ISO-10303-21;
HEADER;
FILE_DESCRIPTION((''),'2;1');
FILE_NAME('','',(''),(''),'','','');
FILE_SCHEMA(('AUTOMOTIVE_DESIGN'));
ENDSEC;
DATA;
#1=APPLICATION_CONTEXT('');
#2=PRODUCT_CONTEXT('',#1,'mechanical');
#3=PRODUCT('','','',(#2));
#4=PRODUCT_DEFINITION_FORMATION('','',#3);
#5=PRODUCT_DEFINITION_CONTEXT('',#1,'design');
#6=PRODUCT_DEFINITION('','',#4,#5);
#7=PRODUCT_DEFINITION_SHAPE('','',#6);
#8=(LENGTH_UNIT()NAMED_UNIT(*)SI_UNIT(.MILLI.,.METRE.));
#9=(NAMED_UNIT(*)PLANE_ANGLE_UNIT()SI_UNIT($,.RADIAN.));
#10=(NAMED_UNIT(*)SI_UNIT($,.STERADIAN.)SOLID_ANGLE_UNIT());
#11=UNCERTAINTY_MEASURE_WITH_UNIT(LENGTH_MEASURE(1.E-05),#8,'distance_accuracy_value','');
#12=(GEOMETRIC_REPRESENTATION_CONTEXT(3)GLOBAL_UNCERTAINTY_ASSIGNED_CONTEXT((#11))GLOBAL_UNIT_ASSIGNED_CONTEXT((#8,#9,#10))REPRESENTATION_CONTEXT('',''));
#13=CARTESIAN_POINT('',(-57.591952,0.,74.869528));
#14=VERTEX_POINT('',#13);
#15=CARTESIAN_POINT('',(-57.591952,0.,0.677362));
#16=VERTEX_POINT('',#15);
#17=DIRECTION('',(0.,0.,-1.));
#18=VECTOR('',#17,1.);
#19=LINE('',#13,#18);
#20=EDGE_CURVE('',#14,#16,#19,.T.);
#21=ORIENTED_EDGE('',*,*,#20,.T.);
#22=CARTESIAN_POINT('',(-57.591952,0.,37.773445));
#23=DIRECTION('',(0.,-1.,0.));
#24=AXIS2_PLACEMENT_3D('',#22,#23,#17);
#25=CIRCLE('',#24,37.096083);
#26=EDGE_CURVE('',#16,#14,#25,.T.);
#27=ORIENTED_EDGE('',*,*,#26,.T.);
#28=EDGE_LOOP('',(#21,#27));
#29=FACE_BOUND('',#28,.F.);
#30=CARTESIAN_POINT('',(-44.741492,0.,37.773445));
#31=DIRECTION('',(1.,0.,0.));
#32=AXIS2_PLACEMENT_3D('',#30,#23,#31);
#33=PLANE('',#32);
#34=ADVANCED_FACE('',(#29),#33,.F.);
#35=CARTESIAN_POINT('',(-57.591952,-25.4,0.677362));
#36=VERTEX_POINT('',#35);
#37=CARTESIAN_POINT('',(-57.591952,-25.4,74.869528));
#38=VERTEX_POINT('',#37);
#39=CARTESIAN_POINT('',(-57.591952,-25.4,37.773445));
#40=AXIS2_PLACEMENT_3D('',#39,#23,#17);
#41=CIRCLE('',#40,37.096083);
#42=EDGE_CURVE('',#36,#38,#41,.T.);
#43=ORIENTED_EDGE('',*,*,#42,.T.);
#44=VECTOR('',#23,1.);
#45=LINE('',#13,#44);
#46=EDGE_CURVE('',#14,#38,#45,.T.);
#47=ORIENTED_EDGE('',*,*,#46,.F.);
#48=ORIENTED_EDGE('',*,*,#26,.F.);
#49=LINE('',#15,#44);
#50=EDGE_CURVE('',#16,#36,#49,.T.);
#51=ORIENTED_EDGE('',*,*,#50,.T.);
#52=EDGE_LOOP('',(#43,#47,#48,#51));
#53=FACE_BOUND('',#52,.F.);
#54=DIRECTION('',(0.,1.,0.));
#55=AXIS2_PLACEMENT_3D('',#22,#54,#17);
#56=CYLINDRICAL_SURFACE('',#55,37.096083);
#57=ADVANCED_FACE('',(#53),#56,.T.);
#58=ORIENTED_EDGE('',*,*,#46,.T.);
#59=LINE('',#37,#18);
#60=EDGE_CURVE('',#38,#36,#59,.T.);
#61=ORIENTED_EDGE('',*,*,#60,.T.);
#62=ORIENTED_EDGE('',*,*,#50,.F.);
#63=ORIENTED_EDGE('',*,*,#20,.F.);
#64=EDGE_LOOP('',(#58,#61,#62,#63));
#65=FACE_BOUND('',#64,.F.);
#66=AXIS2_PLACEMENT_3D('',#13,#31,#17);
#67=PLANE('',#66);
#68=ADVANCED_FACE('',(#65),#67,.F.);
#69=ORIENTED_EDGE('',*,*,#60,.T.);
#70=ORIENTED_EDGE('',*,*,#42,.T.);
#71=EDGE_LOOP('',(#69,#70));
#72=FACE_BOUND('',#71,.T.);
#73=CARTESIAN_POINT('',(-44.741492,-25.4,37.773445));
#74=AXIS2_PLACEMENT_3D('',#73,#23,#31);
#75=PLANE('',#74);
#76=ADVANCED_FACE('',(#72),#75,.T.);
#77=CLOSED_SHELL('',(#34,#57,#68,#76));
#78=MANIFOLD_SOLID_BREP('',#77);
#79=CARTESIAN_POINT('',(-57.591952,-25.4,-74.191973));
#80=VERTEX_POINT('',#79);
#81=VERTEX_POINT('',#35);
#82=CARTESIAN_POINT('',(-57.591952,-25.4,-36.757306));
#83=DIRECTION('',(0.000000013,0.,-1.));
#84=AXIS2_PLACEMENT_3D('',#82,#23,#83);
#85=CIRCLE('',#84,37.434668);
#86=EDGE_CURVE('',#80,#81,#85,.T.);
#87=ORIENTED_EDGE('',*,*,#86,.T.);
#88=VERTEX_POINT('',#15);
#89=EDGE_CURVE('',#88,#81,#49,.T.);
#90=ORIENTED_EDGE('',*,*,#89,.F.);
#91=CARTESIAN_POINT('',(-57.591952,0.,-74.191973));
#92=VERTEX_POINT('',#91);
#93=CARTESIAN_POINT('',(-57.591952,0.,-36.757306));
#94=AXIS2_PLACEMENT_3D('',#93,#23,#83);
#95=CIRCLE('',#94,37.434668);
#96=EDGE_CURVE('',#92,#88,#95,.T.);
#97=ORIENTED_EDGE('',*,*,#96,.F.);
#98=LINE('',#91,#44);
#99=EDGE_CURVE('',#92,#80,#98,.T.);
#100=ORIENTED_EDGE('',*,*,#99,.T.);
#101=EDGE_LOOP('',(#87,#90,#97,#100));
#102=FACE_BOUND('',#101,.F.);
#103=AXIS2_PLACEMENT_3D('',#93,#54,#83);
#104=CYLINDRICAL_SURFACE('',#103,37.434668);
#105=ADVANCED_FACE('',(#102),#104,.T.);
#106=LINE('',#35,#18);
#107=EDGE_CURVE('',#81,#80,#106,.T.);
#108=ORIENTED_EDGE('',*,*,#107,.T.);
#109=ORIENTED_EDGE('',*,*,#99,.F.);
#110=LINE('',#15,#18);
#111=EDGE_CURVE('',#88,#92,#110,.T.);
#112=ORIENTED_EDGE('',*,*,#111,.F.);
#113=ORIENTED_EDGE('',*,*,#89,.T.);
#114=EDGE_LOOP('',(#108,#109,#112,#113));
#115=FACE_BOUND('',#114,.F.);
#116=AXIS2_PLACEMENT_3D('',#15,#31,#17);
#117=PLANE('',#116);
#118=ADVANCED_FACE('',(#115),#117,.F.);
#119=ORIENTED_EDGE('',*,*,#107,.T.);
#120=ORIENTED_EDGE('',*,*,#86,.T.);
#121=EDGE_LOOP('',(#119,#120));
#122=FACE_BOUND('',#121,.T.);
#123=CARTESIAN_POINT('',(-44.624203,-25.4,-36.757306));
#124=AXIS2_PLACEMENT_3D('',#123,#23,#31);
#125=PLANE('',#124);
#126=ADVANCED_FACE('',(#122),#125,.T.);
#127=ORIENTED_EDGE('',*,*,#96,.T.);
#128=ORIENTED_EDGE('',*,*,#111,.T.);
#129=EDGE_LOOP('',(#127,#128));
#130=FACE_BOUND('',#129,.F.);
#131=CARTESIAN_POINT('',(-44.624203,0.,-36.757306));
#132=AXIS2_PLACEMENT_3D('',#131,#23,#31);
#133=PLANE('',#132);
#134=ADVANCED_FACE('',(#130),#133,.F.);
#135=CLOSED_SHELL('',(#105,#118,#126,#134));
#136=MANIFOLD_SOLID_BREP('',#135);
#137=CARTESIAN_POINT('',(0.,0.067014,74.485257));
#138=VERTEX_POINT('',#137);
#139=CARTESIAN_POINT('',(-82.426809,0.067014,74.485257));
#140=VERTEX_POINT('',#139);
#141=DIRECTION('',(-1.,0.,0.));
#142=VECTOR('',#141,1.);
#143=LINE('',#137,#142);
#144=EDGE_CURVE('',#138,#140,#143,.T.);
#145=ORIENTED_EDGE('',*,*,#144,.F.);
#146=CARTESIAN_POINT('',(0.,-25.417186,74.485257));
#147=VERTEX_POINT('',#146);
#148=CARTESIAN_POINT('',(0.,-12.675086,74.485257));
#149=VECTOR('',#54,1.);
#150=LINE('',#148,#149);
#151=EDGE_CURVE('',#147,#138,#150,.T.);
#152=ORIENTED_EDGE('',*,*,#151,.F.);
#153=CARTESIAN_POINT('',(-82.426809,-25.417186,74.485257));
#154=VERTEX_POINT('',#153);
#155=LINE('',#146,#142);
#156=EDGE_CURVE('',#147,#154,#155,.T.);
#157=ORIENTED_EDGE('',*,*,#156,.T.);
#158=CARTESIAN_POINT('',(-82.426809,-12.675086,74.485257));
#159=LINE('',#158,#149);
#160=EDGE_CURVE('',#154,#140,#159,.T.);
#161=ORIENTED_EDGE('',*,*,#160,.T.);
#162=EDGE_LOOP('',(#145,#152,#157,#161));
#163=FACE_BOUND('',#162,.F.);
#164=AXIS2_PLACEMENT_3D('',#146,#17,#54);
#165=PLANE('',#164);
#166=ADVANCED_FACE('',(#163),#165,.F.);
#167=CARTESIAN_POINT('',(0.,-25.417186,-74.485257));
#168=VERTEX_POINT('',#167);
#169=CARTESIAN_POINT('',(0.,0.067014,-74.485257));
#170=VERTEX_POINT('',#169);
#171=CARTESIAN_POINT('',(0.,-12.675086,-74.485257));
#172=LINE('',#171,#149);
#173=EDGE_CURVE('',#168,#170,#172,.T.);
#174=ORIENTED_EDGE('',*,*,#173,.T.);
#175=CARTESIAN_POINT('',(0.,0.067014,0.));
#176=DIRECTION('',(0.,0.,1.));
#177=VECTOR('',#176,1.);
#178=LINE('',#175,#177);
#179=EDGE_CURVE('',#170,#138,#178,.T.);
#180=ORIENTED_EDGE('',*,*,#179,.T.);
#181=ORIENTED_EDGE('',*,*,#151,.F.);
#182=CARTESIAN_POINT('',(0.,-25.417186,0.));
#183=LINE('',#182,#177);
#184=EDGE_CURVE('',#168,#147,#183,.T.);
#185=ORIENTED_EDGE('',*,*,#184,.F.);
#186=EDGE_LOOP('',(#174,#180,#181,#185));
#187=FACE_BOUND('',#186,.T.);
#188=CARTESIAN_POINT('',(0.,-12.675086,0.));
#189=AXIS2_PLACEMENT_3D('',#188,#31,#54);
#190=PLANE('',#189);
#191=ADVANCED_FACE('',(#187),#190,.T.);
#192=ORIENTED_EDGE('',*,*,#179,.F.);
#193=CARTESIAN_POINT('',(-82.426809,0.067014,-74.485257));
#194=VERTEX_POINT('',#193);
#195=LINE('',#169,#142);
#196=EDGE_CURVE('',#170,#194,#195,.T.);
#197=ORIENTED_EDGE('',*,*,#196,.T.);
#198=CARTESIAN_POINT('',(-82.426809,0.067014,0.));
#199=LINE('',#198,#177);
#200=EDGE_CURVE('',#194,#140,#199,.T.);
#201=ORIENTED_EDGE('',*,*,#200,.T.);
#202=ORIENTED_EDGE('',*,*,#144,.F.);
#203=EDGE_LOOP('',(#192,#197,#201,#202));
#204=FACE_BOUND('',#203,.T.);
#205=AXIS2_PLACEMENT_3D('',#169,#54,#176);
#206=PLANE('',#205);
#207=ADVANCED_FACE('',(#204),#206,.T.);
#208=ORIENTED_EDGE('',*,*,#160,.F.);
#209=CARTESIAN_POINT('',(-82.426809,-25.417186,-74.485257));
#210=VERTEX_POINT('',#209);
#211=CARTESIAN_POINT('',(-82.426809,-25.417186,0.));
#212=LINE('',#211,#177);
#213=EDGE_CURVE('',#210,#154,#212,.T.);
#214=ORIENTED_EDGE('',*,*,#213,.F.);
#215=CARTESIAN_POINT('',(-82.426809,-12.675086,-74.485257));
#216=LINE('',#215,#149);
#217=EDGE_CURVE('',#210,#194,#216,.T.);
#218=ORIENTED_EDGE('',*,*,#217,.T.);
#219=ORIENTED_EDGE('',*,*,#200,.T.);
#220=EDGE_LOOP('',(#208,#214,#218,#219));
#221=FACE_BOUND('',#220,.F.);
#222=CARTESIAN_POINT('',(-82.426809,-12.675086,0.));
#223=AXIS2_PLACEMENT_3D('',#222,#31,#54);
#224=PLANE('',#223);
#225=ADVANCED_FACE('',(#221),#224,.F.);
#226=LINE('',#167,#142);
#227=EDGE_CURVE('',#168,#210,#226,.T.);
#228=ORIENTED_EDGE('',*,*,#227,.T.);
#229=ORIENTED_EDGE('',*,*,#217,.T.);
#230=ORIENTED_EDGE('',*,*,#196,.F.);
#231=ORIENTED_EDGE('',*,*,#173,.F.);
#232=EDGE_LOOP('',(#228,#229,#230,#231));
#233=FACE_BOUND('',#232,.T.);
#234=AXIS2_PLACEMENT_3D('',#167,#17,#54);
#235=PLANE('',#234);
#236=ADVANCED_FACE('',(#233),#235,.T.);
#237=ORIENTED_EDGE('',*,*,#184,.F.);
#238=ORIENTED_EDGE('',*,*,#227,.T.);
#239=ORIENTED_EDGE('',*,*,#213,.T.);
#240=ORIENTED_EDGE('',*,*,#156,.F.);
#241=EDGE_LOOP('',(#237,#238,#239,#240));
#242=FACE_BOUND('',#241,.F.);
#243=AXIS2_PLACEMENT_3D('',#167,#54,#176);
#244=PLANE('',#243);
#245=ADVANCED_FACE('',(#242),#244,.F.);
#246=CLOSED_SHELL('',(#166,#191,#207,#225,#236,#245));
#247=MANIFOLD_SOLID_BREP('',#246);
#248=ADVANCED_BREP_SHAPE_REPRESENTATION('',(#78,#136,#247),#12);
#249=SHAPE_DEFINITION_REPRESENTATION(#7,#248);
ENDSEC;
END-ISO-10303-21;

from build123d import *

# Parameters (mm, degrees)
F1_DEPTH = 25.4
F2_W     = 25.4842
F2_H     = 148.970514
F3_DEPTH = 82.426809


with BuildPart() as f1:
    # F0 (on Front) → F1 (new body)
    with BuildSketch(Plane.XZ):
        with BuildLine():
            Line((-57.591952, 74.869528), (-57.591952, 0.677362))
            ThreePointArc((-57.591952, 0.677362), (-20.495869, 37.773445), (-57.591952, 74.869528))
        make_face()
        with BuildLine():
            Line((-57.591952, 0.677362), (-57.591952, -74.191973))
            ThreePointArc((-57.591952, -74.191973), (-20.157285, -36.757305), (-57.591952, 0.677362))
        make_face()
    extrude(amount=F1_DEPTH)


with BuildPart() as f3:
    # F2 (on Right) → F3 (new body)
    with BuildSketch(Plane.YZ):
        with Locations((-12.675086, 0)):
            Rectangle(F2_W, F2_H)
    extrude(amount=-F3_DEPTH)


solid = Compound([f1.part, f3.part])
